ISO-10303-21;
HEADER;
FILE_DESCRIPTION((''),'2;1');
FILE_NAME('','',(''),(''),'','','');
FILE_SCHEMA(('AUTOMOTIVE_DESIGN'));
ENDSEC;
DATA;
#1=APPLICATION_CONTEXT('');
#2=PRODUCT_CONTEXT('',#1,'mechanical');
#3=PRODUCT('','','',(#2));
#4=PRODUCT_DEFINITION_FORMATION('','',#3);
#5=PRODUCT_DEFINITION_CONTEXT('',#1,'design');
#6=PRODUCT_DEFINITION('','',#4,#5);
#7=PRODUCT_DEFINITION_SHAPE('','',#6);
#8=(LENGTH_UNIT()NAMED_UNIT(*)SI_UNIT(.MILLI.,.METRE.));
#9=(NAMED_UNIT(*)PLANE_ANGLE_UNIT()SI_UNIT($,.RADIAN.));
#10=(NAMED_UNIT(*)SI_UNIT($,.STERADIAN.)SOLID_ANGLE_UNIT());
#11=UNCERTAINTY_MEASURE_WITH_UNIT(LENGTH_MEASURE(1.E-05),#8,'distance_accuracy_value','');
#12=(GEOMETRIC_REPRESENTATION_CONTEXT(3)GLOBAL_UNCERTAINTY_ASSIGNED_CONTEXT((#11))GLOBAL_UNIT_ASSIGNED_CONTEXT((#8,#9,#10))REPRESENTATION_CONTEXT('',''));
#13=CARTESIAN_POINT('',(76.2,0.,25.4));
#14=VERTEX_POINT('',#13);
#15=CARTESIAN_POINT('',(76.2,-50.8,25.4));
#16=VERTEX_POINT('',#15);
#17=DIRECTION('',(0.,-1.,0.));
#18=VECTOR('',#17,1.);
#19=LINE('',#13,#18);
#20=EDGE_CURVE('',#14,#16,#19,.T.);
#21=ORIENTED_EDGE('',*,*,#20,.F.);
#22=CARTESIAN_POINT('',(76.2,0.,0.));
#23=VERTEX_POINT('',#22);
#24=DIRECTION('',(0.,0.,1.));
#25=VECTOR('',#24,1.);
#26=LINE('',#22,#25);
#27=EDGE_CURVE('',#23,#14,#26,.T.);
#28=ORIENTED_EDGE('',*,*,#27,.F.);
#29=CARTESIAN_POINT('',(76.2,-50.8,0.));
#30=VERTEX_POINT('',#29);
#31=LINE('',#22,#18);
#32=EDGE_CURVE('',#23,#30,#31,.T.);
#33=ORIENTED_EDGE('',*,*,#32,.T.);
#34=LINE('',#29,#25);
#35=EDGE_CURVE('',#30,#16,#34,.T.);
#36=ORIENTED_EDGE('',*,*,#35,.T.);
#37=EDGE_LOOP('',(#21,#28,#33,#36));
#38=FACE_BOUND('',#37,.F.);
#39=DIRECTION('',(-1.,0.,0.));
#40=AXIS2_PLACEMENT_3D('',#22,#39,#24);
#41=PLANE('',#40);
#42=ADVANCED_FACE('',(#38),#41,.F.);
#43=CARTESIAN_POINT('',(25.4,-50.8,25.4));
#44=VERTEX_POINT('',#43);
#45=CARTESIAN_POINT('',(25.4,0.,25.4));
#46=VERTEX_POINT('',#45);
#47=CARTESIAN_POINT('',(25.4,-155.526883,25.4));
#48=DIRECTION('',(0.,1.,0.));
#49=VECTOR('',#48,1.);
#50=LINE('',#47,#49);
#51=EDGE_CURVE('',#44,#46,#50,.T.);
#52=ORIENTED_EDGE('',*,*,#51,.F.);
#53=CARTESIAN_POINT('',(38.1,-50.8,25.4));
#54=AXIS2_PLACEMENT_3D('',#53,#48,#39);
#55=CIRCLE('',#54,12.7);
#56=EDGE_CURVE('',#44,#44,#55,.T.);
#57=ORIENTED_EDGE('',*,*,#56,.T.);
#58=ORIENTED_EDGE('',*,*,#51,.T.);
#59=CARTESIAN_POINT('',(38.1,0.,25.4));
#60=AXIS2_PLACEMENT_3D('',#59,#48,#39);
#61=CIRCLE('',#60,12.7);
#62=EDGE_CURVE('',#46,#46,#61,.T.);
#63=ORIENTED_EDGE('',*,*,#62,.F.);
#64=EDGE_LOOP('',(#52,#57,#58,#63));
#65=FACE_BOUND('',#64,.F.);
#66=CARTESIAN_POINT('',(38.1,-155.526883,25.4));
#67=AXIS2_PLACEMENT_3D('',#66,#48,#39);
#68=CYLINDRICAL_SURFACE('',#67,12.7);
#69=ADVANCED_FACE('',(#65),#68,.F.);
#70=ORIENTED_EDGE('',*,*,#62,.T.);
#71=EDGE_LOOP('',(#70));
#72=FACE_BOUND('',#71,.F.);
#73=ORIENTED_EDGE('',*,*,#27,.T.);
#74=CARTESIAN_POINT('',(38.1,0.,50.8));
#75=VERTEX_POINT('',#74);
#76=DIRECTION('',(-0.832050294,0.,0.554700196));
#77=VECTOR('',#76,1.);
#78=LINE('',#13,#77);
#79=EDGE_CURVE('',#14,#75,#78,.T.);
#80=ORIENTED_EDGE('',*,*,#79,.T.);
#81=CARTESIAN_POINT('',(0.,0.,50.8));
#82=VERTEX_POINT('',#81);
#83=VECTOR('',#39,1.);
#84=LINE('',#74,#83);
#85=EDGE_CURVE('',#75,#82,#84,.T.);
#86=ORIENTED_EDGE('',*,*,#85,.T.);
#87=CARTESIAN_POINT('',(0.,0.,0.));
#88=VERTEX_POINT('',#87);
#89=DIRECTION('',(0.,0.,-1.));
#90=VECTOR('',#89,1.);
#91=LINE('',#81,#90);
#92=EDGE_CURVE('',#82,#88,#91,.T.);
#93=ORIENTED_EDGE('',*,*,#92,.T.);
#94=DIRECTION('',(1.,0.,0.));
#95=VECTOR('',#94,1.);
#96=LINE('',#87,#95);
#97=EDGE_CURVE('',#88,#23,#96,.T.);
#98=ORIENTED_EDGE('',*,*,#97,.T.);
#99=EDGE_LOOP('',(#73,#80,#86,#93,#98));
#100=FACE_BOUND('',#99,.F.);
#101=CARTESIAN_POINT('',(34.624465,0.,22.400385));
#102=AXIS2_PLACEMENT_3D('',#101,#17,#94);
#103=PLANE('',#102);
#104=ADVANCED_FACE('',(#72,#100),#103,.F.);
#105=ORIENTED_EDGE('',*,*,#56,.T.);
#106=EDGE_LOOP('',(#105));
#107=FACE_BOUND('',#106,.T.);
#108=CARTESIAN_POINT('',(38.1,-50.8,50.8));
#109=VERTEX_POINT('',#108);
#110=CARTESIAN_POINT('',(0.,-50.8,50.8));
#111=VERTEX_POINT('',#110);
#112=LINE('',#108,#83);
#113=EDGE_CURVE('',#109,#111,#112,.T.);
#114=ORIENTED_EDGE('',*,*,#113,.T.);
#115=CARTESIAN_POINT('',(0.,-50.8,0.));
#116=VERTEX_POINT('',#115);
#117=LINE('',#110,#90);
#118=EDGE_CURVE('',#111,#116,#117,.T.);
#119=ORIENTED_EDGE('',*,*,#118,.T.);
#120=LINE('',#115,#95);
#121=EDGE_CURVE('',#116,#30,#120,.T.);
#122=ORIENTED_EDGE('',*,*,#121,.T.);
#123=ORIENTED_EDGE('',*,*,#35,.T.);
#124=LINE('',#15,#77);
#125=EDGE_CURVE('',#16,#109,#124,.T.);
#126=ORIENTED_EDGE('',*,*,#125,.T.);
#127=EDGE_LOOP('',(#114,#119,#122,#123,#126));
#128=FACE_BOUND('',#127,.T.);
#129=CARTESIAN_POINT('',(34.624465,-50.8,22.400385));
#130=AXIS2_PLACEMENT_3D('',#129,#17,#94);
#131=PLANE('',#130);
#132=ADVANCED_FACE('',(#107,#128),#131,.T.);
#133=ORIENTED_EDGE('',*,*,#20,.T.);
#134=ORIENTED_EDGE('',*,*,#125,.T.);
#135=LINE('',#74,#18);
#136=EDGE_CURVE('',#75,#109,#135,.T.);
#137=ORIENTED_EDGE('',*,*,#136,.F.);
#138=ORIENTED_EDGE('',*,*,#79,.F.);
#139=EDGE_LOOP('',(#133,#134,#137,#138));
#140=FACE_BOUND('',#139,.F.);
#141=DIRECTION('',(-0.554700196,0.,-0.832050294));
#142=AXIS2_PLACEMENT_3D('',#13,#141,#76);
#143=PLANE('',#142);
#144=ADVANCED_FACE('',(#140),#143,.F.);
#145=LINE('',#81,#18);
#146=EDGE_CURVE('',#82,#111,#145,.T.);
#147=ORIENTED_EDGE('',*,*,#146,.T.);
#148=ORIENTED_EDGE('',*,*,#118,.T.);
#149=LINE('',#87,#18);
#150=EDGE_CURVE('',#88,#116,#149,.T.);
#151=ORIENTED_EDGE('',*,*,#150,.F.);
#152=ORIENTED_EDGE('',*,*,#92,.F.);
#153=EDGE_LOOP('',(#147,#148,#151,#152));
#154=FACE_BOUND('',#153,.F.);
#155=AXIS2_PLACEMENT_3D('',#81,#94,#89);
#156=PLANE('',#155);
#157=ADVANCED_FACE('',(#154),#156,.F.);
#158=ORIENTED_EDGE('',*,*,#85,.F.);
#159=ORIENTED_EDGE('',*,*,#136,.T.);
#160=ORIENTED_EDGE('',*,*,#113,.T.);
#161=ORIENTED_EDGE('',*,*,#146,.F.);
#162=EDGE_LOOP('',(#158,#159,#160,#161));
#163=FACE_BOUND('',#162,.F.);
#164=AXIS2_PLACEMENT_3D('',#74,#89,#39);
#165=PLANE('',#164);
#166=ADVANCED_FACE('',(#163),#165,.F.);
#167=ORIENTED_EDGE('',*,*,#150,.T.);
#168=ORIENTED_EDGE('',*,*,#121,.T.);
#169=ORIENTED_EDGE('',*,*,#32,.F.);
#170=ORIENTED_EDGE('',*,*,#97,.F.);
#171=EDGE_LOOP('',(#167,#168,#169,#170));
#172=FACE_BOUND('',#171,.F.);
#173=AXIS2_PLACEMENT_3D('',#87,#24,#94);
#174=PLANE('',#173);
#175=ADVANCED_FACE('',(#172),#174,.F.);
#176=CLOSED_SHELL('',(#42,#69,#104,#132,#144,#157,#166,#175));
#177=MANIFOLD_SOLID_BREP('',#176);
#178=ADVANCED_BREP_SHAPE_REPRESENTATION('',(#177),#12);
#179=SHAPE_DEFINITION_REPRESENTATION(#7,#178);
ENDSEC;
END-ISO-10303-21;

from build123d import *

# Parameters (mm, degrees)
F1_DEPTH = 50.8
F3_D     = 25.4


with BuildPart() as f1:
    # F0 (on Front) → F1 (new body)
    with BuildSketch(Plane.XZ):
        Polygon((0, 50.8), (0, 0), (76.2, 0), (76.2, 25.4), (38.1, 50.8), align=None)
    extrude(amount=F1_DEPTH)

    # F3 (through all)
    with Locations(Plane.XZ.offset(50.8)):
        with Locations((38.1, 25.4)):
            Hole(F3_D / 2)


solid = f1.part
